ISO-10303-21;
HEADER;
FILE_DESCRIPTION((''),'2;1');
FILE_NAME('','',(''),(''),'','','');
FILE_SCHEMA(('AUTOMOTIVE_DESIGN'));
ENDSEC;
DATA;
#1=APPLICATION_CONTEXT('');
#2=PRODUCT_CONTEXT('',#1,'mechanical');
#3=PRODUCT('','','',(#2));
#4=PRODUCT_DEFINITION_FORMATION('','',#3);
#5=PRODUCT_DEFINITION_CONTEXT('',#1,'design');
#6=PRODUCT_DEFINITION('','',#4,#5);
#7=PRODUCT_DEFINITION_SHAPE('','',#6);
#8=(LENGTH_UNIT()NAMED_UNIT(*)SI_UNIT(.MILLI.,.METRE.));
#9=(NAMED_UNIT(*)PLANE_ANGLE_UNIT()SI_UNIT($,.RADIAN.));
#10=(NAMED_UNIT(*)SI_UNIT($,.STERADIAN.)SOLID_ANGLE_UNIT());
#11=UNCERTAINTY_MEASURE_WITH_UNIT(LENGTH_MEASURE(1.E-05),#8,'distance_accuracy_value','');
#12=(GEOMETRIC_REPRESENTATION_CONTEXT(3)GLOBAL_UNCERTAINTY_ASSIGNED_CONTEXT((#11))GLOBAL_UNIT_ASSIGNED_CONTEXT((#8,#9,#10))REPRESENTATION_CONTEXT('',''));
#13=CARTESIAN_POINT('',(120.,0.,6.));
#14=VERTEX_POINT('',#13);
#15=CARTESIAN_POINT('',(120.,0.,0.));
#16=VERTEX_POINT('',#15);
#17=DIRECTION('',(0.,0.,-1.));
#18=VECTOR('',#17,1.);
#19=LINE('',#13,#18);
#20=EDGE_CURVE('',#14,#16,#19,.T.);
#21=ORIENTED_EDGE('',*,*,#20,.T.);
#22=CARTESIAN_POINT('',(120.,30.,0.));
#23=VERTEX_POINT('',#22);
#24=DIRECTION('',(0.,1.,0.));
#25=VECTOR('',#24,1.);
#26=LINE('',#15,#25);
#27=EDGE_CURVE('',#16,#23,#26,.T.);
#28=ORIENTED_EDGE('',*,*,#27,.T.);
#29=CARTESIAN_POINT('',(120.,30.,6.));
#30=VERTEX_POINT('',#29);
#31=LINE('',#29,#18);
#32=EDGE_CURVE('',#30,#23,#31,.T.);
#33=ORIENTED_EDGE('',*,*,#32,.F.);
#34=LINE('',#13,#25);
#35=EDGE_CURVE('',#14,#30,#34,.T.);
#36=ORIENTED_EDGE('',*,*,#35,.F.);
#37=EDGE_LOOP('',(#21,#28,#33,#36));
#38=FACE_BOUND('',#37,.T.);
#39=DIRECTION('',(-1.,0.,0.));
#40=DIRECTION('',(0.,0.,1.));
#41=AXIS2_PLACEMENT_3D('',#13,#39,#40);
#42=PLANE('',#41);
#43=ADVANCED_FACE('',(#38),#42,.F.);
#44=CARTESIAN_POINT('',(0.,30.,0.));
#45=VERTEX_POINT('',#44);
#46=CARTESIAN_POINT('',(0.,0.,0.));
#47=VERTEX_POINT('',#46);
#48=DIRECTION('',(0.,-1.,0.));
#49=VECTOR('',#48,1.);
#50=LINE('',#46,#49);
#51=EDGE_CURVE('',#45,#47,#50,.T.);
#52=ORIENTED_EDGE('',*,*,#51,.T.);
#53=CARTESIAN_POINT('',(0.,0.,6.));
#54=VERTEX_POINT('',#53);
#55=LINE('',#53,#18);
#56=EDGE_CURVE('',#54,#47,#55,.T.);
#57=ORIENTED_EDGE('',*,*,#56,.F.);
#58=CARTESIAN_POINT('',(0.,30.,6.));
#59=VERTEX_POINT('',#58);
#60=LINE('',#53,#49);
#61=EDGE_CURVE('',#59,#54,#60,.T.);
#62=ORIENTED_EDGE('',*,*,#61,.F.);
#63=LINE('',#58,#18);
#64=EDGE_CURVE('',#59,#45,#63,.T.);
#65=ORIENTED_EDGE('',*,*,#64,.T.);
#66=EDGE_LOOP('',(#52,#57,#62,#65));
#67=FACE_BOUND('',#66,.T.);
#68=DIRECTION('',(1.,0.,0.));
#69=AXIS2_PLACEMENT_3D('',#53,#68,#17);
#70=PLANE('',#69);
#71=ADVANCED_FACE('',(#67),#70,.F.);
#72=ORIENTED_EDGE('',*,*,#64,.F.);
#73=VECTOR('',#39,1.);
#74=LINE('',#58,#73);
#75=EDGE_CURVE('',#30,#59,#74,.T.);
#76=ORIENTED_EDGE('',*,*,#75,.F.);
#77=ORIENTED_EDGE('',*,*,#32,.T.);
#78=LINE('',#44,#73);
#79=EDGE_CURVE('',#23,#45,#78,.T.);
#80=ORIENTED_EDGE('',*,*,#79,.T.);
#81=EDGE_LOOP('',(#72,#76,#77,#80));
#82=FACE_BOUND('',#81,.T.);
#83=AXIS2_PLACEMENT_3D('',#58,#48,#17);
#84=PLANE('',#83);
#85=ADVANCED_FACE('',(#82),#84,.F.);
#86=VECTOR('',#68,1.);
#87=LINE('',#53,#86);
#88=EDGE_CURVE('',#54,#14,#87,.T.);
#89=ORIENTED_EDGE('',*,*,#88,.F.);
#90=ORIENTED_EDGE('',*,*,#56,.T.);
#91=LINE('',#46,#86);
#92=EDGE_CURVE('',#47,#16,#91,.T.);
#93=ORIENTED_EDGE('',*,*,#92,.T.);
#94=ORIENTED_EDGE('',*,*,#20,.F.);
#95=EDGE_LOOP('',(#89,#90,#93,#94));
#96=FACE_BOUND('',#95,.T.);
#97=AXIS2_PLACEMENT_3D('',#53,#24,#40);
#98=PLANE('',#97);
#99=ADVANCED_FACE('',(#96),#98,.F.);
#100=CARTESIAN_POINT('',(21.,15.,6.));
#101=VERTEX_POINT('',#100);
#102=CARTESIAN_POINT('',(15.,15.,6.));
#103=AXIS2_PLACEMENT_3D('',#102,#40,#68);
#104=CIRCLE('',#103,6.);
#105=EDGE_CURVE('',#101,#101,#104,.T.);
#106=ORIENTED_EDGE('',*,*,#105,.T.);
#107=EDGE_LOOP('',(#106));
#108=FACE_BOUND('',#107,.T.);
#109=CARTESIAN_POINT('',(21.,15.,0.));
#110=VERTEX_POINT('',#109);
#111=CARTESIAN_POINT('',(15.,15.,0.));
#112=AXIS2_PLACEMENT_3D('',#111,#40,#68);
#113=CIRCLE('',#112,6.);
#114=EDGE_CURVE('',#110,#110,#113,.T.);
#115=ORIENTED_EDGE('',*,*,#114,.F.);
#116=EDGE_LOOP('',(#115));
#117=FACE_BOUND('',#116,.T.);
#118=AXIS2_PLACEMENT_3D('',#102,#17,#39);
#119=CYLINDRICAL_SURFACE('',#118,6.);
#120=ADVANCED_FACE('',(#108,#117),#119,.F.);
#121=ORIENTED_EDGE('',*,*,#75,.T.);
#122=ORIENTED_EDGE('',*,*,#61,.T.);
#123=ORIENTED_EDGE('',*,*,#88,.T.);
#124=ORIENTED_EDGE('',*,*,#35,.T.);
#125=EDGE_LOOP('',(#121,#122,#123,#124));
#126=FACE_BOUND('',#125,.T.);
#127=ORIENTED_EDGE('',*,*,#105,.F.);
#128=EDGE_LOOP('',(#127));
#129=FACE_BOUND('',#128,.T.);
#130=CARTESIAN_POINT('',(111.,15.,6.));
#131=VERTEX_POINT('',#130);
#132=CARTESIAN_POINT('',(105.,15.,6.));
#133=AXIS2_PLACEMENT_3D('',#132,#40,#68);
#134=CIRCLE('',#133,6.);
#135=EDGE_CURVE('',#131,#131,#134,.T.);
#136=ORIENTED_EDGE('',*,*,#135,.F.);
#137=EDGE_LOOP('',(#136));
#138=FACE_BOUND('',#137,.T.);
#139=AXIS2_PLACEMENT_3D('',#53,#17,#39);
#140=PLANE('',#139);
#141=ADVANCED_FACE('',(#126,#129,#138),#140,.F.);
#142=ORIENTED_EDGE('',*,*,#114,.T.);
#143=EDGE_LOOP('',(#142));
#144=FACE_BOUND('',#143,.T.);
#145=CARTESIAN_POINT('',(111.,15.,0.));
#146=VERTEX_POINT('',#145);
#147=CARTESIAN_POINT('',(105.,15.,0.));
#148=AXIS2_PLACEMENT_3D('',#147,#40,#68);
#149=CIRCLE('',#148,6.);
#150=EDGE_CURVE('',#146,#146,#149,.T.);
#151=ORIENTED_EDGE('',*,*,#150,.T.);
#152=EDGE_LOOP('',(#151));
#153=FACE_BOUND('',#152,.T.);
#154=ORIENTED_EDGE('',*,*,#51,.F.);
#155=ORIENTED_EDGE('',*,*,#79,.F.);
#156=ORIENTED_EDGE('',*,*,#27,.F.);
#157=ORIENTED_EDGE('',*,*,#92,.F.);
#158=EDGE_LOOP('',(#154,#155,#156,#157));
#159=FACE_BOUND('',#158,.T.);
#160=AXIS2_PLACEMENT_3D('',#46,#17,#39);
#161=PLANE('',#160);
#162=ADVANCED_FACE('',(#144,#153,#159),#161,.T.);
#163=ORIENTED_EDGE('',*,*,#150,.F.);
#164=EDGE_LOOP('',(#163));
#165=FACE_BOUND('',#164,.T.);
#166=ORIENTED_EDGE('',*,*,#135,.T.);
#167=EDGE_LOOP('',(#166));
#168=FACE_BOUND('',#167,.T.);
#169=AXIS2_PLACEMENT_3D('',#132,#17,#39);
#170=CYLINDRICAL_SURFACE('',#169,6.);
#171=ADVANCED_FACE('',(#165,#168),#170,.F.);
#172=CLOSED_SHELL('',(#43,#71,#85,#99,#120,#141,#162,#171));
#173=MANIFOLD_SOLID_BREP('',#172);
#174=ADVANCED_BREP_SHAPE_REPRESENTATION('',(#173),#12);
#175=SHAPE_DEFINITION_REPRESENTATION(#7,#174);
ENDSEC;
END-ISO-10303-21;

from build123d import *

# Parameters (mm, degrees)
SKETCH_1_W      = 120
SKETCH_1_H      = 30
SKETCH_1_R      = 6
EXTRUDE_1_DEPTH = 6


with BuildPart() as part:
    # 草图1 → 凸台-拉伸1 (new body)
    with BuildSketch(Plane.XY):
        with Locations((60, 15)):
            Rectangle(SKETCH_1_W, SKETCH_1_H)
        with Locations((15, 15)):
            Circle(SKETCH_1_R, mode=Mode.SUBTRACT)
        with Locations((105, 15)):
            Circle(SKETCH_1_R, mode=Mode.SUBTRACT)
    extrude(amount=EXTRUDE_1_DEPTH)


solid = part.part
